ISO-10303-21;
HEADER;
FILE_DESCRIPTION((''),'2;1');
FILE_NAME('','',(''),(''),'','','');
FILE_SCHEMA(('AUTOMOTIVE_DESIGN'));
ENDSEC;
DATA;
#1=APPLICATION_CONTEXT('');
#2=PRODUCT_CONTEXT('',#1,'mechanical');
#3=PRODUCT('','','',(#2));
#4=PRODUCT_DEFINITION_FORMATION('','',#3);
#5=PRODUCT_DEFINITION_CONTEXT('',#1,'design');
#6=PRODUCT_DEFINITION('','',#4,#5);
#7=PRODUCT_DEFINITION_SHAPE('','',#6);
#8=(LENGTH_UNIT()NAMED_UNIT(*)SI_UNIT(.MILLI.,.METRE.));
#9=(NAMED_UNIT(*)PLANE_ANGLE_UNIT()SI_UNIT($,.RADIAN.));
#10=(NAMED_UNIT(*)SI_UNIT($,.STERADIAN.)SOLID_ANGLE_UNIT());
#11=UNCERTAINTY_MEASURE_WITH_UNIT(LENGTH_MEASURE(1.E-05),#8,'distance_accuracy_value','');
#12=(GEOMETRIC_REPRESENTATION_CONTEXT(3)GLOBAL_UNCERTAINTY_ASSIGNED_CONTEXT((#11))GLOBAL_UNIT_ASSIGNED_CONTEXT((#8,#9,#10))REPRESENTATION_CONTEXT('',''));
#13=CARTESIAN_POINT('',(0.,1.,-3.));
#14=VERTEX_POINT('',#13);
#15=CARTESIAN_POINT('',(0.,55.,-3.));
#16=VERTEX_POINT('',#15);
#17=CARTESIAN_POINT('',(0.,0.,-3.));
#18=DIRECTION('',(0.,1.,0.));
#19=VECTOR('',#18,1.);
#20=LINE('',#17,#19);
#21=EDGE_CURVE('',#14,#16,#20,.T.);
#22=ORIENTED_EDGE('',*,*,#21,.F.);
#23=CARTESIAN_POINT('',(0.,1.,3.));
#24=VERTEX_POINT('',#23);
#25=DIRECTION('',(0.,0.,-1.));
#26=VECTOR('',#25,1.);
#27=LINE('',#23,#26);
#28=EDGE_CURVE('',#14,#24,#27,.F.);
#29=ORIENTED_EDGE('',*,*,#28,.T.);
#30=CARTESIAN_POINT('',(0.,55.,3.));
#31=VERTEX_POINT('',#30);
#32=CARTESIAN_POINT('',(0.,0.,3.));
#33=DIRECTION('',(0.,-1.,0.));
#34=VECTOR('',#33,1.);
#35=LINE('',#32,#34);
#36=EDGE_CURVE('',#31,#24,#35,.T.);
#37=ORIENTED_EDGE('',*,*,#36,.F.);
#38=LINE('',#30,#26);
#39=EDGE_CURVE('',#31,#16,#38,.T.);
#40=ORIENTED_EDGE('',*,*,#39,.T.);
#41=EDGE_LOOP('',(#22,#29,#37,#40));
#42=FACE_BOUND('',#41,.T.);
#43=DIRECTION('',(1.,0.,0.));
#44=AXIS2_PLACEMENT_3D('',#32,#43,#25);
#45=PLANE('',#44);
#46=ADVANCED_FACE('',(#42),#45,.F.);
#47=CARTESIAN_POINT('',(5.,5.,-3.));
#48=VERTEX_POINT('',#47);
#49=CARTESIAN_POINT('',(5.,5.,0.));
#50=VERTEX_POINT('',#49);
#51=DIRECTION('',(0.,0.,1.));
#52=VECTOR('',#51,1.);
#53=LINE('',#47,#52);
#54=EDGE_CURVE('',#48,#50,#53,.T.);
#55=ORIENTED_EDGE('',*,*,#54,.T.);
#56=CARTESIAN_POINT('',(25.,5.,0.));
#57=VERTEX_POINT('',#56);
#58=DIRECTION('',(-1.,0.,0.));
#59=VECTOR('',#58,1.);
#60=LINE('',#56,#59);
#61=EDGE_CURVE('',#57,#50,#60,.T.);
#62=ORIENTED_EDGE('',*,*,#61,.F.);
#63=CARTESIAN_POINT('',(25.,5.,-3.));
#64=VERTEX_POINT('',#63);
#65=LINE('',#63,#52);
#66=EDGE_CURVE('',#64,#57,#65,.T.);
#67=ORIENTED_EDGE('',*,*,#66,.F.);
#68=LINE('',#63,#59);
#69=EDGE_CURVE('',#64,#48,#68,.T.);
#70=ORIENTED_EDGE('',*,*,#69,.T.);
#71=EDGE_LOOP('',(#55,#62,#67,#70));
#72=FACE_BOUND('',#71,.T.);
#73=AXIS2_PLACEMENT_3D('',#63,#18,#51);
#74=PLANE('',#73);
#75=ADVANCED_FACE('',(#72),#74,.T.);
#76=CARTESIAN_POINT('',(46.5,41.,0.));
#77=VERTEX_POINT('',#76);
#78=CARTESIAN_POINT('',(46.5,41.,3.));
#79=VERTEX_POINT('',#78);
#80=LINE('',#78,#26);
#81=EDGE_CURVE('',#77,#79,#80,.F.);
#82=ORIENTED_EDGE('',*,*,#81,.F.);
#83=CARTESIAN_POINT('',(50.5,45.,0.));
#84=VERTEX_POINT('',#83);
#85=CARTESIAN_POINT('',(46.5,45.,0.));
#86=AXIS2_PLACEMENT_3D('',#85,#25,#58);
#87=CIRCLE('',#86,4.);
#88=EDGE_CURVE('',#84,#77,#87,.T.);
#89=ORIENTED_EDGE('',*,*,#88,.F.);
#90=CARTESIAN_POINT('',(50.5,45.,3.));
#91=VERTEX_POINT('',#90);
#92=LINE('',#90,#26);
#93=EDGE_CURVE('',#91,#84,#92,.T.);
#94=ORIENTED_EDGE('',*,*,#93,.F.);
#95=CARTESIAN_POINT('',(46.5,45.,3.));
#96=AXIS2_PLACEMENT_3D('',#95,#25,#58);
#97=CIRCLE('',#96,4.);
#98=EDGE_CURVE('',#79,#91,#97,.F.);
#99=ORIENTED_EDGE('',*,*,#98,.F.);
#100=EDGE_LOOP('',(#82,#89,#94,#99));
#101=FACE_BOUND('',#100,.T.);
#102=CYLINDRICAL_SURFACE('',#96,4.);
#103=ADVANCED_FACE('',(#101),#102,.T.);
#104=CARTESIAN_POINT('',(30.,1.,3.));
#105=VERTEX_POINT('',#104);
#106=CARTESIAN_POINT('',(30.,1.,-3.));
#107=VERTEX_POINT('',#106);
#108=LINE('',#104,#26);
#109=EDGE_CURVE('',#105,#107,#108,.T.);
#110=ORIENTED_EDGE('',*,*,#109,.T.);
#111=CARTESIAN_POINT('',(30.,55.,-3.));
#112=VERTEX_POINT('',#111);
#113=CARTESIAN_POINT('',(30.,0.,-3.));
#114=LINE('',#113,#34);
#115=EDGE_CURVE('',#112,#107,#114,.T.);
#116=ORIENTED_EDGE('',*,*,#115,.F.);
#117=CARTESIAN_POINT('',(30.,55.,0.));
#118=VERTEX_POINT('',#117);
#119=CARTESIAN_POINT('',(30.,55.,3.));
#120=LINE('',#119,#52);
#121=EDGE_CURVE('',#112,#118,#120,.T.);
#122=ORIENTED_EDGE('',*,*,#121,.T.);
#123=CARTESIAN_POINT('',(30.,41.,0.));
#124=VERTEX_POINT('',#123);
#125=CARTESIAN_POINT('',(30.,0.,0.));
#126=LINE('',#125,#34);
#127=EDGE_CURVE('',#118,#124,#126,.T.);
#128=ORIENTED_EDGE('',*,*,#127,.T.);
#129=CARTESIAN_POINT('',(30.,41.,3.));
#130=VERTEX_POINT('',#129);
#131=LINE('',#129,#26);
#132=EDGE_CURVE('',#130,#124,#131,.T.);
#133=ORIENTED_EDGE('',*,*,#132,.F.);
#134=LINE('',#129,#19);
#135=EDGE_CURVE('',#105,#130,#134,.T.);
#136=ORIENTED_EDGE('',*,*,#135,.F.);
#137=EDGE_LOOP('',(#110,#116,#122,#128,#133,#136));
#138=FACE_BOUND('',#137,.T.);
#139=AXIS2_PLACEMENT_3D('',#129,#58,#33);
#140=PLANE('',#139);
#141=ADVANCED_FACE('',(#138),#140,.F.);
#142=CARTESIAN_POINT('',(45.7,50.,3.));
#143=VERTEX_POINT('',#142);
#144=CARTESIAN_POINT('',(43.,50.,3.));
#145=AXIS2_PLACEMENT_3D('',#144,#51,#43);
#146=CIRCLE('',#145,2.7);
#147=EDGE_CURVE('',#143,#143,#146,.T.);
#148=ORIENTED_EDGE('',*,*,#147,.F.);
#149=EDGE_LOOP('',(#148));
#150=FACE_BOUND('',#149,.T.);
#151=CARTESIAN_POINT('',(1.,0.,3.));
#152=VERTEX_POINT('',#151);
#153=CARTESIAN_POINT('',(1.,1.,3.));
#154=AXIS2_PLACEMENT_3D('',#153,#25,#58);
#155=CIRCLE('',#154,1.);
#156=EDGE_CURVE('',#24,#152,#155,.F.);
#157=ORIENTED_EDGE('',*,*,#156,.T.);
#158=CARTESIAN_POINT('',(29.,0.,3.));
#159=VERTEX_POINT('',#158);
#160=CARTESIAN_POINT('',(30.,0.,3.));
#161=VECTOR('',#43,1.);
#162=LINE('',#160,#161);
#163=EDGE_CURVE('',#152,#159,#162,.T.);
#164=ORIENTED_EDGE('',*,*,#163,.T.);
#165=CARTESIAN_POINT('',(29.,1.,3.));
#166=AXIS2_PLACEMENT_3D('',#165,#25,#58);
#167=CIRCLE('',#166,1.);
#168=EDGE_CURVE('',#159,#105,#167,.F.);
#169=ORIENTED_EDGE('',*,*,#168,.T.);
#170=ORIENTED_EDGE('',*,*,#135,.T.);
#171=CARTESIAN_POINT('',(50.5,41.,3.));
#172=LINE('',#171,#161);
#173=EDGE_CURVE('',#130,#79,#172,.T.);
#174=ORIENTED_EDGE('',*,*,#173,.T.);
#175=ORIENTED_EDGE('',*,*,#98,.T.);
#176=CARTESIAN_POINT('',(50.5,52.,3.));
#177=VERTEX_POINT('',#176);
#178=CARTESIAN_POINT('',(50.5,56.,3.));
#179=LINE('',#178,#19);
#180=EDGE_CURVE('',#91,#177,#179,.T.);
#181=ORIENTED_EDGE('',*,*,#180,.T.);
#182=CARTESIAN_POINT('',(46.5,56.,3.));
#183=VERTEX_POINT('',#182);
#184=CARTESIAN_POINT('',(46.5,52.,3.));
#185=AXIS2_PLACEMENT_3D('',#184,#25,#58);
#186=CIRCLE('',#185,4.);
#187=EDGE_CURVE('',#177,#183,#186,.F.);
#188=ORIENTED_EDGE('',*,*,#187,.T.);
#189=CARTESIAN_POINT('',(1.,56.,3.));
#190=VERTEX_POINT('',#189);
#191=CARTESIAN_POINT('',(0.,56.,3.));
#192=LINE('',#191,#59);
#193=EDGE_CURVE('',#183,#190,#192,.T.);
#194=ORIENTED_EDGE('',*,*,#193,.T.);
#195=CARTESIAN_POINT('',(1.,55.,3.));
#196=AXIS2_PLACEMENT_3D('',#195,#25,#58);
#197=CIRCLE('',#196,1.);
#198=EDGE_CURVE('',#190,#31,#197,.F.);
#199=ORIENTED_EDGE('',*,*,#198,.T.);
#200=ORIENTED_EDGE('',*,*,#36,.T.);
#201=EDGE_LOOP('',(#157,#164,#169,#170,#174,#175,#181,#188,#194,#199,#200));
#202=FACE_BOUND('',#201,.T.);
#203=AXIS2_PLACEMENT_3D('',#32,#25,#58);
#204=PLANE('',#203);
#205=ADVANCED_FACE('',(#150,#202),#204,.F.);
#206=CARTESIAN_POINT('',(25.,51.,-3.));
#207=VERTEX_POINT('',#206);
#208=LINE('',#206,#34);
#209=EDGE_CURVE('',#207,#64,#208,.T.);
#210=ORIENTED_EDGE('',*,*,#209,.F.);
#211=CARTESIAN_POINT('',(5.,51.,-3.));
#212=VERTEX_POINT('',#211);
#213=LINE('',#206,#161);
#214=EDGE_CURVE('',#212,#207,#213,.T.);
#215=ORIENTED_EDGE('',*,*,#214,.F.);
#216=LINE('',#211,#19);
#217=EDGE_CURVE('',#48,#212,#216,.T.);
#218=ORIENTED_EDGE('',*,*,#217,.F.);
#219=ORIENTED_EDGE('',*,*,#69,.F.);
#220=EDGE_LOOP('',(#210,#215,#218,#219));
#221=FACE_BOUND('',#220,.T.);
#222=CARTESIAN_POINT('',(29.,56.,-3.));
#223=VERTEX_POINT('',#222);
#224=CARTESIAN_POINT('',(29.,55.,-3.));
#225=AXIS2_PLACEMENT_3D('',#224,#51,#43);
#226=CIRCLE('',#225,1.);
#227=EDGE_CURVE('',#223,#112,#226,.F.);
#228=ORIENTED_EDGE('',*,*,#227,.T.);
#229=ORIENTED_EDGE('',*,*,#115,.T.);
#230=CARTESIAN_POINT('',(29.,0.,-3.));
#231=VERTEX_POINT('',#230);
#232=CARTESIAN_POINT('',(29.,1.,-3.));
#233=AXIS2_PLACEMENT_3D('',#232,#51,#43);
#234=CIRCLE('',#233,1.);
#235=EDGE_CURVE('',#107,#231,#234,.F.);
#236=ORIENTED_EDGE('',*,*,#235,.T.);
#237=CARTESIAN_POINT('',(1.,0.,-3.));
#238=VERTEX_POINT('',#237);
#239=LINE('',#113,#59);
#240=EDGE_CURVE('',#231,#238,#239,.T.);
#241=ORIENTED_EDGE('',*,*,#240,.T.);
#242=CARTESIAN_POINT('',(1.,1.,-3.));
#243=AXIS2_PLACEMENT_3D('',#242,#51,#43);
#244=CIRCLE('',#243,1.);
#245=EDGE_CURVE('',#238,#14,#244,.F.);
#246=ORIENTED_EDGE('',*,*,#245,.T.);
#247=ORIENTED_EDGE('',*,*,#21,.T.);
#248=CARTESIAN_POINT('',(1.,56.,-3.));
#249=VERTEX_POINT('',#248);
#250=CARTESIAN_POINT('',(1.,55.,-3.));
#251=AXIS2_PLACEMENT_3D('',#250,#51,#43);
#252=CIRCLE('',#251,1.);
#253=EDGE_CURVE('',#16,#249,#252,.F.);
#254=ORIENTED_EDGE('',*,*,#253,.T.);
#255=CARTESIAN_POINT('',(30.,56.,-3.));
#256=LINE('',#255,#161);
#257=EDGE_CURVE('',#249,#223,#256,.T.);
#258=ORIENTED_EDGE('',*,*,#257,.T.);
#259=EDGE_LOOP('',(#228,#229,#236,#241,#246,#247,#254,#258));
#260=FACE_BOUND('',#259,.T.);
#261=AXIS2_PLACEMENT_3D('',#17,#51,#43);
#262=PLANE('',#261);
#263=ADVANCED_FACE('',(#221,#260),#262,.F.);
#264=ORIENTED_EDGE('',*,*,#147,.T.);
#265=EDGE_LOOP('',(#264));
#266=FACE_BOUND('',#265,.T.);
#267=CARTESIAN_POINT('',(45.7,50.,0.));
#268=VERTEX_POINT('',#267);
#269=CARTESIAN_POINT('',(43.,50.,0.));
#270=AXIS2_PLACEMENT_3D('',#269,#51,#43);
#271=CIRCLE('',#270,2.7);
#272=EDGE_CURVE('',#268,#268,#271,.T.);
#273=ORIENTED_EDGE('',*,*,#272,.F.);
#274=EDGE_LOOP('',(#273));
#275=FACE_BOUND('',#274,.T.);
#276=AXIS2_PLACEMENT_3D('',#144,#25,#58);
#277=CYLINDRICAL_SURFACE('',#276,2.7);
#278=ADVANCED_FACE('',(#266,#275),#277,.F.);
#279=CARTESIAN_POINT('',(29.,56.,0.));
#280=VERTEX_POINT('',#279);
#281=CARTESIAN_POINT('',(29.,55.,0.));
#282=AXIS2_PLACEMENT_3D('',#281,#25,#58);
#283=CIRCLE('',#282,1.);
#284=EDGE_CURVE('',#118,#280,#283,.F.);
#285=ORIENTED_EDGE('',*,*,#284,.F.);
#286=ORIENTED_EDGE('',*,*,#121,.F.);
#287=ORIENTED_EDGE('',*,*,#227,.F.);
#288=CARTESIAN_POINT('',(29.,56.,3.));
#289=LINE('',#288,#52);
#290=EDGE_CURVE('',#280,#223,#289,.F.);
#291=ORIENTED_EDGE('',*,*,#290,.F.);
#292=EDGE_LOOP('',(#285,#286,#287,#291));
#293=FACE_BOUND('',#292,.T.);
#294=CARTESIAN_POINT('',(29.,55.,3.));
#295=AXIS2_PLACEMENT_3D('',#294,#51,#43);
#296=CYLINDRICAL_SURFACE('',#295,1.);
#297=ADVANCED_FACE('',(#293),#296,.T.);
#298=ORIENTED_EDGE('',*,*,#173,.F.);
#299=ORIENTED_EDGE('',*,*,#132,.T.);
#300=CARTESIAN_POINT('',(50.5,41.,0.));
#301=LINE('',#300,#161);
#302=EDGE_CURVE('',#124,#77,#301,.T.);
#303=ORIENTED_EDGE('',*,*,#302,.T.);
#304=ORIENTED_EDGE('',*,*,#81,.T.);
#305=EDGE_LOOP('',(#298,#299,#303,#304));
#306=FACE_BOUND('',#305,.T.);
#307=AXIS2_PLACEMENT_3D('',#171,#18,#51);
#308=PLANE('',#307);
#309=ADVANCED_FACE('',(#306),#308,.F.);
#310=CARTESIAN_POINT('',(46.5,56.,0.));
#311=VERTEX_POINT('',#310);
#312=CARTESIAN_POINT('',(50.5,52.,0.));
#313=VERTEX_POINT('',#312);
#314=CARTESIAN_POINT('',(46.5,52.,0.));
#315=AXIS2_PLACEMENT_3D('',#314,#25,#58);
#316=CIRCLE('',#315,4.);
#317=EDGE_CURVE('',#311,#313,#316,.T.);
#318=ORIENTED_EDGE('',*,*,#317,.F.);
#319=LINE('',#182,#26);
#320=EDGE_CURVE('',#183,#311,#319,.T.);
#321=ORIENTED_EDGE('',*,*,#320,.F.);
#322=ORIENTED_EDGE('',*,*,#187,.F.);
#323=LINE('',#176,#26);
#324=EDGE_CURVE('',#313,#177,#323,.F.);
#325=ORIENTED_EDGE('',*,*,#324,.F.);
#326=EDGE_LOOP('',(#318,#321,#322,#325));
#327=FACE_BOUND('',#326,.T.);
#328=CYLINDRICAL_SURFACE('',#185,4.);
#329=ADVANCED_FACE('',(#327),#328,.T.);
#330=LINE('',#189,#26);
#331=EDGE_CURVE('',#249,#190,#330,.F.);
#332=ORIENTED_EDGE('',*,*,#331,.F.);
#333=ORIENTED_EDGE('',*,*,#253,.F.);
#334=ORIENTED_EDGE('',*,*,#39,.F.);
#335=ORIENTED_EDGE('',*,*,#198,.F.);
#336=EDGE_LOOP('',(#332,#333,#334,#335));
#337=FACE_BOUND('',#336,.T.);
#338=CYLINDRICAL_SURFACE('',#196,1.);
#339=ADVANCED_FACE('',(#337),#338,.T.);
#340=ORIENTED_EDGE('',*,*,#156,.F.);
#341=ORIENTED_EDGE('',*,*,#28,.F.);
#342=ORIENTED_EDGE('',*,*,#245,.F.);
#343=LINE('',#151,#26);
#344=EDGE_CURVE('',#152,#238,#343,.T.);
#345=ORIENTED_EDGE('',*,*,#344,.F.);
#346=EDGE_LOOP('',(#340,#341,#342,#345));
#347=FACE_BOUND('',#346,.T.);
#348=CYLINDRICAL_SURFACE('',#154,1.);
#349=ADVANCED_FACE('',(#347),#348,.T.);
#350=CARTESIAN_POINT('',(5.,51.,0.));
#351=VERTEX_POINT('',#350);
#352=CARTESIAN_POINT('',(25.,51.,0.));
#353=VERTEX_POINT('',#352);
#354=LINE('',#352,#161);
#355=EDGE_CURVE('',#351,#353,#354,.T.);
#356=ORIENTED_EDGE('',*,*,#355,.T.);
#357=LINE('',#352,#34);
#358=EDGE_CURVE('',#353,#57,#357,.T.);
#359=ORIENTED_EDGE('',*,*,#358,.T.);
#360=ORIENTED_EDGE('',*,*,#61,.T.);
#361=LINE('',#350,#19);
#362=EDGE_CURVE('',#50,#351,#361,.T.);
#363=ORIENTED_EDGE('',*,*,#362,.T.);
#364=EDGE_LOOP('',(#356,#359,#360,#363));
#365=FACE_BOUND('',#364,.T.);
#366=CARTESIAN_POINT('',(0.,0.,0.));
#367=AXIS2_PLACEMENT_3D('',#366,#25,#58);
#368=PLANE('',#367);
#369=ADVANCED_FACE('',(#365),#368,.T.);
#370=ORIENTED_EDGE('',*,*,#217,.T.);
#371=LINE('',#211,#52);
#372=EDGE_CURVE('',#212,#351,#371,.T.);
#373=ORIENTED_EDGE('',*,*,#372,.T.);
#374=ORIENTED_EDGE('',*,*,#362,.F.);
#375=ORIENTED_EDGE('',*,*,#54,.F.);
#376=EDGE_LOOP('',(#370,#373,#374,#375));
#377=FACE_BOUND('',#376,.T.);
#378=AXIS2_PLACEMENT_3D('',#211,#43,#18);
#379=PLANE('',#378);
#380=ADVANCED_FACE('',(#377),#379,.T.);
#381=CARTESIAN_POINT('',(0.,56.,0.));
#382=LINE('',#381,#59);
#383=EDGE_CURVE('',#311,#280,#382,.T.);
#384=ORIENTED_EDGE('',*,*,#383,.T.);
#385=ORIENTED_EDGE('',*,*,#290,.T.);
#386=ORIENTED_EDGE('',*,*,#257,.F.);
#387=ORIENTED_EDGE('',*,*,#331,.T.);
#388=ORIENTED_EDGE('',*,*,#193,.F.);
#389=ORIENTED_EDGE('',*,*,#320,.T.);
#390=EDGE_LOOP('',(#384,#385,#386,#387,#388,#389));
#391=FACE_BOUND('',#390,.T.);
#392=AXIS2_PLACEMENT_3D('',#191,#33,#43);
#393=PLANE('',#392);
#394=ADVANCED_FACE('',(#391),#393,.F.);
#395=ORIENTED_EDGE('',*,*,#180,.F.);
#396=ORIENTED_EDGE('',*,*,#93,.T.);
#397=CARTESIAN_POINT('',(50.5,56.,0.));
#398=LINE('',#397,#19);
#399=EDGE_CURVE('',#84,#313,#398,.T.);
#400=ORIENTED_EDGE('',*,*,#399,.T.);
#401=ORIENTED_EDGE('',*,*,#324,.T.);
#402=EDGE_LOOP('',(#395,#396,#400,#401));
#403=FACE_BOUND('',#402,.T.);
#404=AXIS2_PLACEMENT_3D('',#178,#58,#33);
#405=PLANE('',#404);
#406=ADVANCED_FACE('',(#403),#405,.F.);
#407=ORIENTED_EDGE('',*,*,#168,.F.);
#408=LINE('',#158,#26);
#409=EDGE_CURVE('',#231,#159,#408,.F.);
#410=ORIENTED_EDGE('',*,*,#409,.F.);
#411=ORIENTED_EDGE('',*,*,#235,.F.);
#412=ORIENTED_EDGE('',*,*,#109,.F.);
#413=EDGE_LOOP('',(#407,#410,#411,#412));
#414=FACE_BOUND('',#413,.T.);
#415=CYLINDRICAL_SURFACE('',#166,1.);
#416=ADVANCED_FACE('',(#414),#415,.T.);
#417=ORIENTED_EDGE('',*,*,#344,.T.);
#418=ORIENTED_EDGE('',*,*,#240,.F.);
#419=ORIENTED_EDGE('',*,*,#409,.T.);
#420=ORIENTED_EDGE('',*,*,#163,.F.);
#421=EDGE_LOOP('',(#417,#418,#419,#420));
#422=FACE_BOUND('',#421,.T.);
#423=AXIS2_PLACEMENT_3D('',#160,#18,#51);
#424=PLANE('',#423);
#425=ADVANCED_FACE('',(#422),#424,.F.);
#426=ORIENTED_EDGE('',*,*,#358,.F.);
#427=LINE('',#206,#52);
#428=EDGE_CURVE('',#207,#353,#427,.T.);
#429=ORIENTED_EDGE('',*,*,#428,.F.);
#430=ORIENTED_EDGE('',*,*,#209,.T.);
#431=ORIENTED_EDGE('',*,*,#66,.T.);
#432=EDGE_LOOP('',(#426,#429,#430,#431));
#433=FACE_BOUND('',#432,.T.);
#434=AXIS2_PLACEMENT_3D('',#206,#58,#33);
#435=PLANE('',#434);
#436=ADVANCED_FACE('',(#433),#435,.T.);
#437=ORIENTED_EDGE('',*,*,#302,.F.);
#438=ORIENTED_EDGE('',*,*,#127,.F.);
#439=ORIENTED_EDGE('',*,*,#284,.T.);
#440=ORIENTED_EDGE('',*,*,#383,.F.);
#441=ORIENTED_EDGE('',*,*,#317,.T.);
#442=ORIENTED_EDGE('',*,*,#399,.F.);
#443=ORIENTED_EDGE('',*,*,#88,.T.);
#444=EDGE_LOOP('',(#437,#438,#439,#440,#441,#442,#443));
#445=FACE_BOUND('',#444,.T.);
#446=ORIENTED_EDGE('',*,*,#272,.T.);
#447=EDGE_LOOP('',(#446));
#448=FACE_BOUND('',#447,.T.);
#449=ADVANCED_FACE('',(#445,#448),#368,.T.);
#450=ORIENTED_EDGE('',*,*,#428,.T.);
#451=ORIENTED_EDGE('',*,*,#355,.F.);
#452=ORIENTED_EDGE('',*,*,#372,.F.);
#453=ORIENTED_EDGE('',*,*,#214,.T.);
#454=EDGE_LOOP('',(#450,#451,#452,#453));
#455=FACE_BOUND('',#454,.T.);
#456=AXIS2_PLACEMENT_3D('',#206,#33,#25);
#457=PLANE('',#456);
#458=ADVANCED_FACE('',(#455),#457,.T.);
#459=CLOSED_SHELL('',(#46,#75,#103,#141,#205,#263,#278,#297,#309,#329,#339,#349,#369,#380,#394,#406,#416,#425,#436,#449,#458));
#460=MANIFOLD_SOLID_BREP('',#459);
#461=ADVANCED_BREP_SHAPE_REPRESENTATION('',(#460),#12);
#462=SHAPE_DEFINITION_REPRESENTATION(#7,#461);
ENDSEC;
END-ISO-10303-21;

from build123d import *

# Parameters (mm, degrees)
SKETCH1_R           = 2.7
BOSS_EXTRUDE1_DEPTH = 3
SKETCH2_W           = 30
SKETCH2_H           = 56
SKETCH2_W_2         = 20
SKETCH2_H_2         = 46
BOSS_EXTRUDE2_DEPTH = 3
FILLET1_R           = 4
FILLET3_R           = 1


with BuildPart() as part:
    # Sketch1 → Boss-Extrude1 (new body)
    with BuildSketch(Plane.XY):
        Polygon((0, 0), (0, 56), (50.5, 56), (50.5, 41), (30, 41), (30, 0), align=None)
        with Locations((43, 50)):
            Circle(SKETCH1_R, mode=Mode.SUBTRACT)
    extrude(amount=BOSS_EXTRUDE1_DEPTH)

    # Sketch2 → Boss-Extrude2 (add)
    with BuildSketch(Plane(origin=(0, 0, 0), x_dir=(-1, 0, 0), z_dir=(0, 0, -1))):
        with Locations((-15, 28)):
            Rectangle(SKETCH2_W, SKETCH2_H)
        with Locations((-15, 28)):
            Rectangle(SKETCH2_W_2, SKETCH2_H_2, mode=Mode.SUBTRACT)
    extrude(amount=BOSS_EXTRUDE2_DEPTH)

    # Fillet1
    fillet1_edges = [part.edges().sort_by_distance(p)[0] for p in [
        (50.5, 56, 1.5),
        (50.5, 41, 1.5),
    ]]
    fillet(fillet1_edges, radius=FILLET1_R)

    # Fillet3
    fillet3_edges = [part.edges().sort_by_distance(p)[0] for p in [
        (0, 0, 0),
        (0, 56, 0),
        (30, 0, 0),
        (30, 56, -1.5),
    ]]
    fillet(fillet3_edges, radius=FILLET3_R)


solid = part.part
